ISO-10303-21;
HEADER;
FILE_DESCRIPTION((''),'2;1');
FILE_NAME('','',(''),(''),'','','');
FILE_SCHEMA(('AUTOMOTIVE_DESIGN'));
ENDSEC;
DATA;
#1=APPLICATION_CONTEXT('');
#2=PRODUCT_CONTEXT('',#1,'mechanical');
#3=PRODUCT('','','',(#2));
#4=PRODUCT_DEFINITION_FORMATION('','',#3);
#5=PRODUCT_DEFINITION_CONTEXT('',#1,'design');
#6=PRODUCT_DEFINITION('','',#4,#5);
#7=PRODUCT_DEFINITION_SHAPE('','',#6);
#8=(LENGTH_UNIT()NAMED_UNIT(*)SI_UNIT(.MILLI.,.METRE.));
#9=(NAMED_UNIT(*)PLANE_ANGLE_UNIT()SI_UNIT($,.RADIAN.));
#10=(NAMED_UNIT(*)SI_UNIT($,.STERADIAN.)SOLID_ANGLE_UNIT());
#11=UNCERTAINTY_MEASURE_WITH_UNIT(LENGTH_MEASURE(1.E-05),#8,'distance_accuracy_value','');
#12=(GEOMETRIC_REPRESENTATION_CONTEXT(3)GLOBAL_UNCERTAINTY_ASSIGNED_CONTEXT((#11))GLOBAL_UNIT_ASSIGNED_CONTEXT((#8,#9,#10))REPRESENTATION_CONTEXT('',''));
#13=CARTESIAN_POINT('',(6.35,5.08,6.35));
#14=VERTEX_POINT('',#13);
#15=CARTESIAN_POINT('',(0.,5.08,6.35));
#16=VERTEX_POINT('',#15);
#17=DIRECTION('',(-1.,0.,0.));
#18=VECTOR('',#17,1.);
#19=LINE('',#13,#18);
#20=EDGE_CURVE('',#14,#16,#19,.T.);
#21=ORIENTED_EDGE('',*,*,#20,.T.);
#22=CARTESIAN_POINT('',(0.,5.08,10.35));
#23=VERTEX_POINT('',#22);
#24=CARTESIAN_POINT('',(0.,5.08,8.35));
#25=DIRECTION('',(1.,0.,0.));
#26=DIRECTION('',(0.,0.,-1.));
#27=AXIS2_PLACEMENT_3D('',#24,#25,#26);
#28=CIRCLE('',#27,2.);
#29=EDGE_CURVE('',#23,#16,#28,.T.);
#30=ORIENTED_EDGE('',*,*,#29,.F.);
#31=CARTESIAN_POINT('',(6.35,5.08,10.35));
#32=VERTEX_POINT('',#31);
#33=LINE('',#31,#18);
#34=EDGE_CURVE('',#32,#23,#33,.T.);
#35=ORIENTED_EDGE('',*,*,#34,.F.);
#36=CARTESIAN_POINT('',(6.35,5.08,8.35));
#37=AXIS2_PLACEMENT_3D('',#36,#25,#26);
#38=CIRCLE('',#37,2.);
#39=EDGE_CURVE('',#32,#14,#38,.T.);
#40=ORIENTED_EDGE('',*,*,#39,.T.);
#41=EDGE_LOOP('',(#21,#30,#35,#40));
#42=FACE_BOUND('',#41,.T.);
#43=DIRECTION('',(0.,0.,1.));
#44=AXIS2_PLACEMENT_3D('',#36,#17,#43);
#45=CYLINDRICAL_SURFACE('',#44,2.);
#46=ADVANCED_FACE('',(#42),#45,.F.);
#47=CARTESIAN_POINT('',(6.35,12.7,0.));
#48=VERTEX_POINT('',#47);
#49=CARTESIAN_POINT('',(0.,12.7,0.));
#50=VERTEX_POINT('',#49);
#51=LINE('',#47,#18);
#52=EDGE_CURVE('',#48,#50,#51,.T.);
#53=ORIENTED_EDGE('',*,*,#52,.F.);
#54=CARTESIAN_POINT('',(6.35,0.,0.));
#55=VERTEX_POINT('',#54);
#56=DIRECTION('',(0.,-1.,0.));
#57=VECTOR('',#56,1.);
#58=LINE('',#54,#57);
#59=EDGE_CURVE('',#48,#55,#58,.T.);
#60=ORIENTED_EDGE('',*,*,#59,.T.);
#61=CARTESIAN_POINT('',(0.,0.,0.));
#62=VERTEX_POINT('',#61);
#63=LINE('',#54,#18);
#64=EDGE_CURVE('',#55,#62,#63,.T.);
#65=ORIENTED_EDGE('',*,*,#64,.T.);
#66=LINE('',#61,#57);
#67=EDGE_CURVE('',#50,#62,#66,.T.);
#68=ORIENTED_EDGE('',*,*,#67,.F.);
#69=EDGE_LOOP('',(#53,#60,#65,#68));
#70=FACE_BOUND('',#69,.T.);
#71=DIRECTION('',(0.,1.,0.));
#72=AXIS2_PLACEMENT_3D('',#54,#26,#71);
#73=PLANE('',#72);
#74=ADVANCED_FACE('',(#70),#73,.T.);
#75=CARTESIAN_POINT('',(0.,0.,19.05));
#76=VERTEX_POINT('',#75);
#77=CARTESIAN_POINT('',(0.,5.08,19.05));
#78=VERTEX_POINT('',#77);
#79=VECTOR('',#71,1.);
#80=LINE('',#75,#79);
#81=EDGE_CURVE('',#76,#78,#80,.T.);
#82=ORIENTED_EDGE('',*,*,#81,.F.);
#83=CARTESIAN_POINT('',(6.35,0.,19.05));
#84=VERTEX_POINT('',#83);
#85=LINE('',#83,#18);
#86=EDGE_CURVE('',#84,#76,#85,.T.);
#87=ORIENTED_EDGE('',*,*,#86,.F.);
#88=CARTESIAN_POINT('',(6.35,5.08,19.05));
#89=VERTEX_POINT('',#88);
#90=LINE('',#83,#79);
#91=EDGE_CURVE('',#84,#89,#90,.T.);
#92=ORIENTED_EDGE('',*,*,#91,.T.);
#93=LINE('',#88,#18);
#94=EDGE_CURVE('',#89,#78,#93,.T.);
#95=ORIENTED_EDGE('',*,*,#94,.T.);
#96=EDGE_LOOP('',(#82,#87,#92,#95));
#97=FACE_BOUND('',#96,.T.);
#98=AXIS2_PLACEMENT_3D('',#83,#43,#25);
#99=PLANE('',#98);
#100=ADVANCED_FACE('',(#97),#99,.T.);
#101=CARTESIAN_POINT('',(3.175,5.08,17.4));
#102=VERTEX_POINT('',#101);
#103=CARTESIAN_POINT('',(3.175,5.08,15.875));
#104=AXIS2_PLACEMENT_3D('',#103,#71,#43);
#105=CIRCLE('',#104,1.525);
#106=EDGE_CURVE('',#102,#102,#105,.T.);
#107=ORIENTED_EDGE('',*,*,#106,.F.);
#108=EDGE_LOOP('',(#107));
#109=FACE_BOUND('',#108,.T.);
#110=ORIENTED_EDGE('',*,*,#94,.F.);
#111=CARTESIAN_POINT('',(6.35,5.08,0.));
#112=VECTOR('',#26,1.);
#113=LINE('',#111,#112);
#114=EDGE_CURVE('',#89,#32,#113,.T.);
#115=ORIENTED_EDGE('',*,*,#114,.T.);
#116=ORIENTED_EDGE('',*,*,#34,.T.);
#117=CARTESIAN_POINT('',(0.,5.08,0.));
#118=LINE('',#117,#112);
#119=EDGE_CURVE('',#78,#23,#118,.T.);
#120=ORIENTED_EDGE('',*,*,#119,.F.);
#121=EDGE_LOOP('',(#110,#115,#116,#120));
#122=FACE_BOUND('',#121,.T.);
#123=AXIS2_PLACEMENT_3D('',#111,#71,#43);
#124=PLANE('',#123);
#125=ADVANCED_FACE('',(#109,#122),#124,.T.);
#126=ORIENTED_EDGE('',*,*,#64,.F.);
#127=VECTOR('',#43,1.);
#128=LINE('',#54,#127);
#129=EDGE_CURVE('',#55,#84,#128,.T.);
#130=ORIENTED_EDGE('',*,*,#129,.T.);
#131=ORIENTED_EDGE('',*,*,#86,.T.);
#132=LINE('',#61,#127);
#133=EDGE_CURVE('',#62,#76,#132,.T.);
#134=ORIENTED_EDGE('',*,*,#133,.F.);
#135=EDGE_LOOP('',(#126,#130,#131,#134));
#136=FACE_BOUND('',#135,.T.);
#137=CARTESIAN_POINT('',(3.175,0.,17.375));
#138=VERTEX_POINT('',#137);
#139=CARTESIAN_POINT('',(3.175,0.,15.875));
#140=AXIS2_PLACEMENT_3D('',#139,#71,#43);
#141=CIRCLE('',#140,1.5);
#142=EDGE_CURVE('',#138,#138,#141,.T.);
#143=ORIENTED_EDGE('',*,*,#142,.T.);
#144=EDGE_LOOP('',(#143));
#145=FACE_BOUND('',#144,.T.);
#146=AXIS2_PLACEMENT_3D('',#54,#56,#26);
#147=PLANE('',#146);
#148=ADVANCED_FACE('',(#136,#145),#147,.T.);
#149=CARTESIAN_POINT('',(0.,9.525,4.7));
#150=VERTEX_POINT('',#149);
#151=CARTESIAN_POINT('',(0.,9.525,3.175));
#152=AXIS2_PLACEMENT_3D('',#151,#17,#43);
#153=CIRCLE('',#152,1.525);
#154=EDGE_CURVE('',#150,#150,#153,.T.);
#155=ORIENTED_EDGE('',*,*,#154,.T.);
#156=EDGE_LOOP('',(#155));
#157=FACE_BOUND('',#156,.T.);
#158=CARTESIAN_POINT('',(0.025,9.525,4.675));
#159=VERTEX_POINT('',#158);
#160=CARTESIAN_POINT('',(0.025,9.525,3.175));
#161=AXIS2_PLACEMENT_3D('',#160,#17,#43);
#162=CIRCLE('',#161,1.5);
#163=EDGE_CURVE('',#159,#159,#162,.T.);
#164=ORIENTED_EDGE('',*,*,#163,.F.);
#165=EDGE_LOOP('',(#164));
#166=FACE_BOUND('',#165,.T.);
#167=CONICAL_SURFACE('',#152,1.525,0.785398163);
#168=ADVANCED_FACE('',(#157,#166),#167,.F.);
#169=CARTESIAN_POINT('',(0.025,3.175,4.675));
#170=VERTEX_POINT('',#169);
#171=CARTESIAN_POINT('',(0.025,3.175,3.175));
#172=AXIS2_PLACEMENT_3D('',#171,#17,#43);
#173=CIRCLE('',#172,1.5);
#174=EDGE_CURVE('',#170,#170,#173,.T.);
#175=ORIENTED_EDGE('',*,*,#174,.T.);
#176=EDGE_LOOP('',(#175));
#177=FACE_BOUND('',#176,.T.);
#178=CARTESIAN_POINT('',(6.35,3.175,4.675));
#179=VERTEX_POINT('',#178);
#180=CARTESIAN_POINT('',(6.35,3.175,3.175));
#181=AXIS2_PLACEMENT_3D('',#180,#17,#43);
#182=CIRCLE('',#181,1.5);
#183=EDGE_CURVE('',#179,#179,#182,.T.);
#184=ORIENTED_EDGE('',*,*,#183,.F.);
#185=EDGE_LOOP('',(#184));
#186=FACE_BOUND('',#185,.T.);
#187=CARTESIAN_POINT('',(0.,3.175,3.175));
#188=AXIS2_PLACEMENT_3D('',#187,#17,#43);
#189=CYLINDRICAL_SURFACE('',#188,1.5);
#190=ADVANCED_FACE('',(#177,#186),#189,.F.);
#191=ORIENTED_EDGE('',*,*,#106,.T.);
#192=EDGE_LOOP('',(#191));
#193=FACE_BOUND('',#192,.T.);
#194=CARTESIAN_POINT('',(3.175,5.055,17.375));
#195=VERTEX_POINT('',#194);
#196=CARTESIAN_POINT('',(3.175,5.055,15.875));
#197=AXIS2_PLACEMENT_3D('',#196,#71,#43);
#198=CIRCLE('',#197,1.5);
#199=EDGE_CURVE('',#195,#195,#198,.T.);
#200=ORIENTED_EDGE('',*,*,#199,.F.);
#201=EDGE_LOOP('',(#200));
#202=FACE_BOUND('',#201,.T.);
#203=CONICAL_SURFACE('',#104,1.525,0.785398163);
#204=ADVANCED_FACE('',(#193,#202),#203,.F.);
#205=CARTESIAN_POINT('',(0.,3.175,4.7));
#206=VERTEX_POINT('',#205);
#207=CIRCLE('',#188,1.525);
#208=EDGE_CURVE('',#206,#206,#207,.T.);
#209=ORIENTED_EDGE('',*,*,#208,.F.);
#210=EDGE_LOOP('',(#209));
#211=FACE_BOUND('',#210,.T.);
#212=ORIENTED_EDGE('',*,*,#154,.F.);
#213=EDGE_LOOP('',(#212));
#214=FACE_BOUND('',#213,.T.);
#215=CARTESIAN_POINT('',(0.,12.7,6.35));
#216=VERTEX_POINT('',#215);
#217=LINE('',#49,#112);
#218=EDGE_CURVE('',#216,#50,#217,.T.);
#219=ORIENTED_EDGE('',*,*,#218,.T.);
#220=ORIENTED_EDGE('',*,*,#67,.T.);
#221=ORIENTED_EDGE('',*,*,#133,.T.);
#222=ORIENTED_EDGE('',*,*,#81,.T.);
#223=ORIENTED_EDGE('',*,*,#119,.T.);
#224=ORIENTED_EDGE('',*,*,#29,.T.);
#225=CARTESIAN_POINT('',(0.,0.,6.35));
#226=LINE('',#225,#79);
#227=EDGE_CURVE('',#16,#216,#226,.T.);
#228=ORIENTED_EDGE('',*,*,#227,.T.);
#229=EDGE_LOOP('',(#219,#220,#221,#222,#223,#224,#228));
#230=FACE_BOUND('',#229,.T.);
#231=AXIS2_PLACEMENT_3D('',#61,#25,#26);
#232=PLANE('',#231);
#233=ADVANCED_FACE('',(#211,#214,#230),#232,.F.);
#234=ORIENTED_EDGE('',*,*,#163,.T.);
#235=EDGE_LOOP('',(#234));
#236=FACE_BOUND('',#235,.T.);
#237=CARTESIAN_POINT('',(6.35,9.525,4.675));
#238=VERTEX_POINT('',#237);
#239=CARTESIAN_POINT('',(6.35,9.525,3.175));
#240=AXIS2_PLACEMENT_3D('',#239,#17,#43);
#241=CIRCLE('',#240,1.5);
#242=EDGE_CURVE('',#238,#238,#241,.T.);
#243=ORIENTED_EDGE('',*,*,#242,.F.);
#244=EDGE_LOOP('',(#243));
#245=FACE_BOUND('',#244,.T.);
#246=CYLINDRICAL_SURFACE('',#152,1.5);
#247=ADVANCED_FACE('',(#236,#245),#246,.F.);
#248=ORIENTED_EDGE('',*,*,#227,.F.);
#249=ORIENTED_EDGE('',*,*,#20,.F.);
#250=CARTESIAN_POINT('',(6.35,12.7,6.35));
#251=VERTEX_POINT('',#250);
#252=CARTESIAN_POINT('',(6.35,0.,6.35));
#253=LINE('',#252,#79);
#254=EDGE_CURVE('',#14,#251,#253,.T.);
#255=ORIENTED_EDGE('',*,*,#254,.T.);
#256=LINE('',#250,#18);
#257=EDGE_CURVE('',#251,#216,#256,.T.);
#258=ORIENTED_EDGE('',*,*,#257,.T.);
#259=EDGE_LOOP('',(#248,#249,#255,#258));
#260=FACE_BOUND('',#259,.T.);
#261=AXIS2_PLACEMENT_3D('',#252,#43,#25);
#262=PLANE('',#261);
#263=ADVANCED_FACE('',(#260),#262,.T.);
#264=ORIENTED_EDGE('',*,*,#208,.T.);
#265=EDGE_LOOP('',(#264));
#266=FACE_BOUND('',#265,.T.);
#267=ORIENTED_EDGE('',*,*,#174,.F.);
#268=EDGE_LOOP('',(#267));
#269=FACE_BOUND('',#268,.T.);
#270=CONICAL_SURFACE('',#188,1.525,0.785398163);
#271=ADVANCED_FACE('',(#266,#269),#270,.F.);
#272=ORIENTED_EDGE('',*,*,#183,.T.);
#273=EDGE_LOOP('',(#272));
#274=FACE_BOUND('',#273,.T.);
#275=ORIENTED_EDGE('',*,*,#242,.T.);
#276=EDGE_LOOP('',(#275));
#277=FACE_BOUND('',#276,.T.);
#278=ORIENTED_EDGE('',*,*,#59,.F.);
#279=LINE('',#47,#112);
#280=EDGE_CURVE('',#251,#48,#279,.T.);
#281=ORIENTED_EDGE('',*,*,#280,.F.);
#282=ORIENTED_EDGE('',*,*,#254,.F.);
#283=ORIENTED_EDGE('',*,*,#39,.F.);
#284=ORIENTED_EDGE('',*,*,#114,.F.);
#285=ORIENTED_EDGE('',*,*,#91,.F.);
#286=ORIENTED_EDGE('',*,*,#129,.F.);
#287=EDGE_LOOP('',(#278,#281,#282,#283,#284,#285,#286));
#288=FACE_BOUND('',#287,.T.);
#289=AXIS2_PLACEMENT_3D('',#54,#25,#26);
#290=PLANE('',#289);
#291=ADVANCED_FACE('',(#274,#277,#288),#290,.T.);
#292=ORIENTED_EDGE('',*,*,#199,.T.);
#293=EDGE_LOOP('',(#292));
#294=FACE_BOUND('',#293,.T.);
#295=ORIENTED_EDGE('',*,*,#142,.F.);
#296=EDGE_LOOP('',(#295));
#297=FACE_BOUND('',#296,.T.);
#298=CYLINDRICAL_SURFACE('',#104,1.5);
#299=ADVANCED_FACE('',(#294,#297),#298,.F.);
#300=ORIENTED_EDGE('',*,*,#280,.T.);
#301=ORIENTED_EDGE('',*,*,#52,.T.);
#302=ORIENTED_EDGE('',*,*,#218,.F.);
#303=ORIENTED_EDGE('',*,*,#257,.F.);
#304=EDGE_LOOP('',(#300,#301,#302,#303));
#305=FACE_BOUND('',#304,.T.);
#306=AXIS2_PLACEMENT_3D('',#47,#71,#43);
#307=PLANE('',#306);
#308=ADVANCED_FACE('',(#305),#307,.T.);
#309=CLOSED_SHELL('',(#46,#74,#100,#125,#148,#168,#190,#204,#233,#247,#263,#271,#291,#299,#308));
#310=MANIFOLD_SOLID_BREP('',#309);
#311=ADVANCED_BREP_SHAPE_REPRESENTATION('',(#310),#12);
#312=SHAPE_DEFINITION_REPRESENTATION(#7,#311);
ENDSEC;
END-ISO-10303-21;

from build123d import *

# Parameters (mm, degrees)
BOSS_EXTRUDE1_DEPTH             = 6.35
F_3_0MM_DOWEL_HOLE1_D           = 3
F_3_0MM_DOWEL_HOLE1_CSINK_D     = 3.05
F_3_0MM_DOWEL_HOLE1_CSINK_ANGLE = 90
F_3_0MM_DOWEL_HOLE2_D           = 3
F_3_0MM_DOWEL_HOLE2_CSINK_D     = 3.05
F_3_0MM_DOWEL_HOLE2_CSINK_ANGLE = 90


with BuildPart() as part:
    # Sketch1 → Boss-Extrude1 (new body)
    with BuildSketch(Plane(origin=(0, 0, 0), x_dir=(0, 0, -1), z_dir=(1, 0, 0))):
        with BuildLine():
            Line((-19.05, 0), (0, 0))
            Line((0, 0), (0, 12.7))
            Line((0, 12.7), (-6.35, 12.7))
            Line((-6.35, 12.7), (-6.35, 5.08))
            ThreePointArc((-6.35, 5.08), (-8.35, 3.08), (-10.35, 5.08))
            Line((-10.35, 5.08), (-19.05, 5.08))
            Line((-19.05, 5.08), (-19.05, 0))
        make_face()
    extrude(amount=BOSS_EXTRUDE1_DEPTH)

    # Ø3.0mm Dowel Hole1 (through all)
    with Locations(Plane.ZY):
        with Locations((3.175, 3.175), (3.175, 9.525)):
            CounterSinkHole(F_3_0MM_DOWEL_HOLE1_D / 2, F_3_0MM_DOWEL_HOLE1_CSINK_D / 2, counter_sink_angle=F_3_0MM_DOWEL_HOLE1_CSINK_ANGLE)

    # Ø3.0mm Dowel Hole2 (through all)
    with Locations(Plane(origin=(0, 5.08, 0), x_dir=(1, 0, 0), z_dir=(0, 1, 0))):
        with Locations((3.175, -15.875)):
            CounterSinkHole(F_3_0MM_DOWEL_HOLE2_D / 2, F_3_0MM_DOWEL_HOLE2_CSINK_D / 2, counter_sink_angle=F_3_0MM_DOWEL_HOLE2_CSINK_ANGLE)


solid = part.part
